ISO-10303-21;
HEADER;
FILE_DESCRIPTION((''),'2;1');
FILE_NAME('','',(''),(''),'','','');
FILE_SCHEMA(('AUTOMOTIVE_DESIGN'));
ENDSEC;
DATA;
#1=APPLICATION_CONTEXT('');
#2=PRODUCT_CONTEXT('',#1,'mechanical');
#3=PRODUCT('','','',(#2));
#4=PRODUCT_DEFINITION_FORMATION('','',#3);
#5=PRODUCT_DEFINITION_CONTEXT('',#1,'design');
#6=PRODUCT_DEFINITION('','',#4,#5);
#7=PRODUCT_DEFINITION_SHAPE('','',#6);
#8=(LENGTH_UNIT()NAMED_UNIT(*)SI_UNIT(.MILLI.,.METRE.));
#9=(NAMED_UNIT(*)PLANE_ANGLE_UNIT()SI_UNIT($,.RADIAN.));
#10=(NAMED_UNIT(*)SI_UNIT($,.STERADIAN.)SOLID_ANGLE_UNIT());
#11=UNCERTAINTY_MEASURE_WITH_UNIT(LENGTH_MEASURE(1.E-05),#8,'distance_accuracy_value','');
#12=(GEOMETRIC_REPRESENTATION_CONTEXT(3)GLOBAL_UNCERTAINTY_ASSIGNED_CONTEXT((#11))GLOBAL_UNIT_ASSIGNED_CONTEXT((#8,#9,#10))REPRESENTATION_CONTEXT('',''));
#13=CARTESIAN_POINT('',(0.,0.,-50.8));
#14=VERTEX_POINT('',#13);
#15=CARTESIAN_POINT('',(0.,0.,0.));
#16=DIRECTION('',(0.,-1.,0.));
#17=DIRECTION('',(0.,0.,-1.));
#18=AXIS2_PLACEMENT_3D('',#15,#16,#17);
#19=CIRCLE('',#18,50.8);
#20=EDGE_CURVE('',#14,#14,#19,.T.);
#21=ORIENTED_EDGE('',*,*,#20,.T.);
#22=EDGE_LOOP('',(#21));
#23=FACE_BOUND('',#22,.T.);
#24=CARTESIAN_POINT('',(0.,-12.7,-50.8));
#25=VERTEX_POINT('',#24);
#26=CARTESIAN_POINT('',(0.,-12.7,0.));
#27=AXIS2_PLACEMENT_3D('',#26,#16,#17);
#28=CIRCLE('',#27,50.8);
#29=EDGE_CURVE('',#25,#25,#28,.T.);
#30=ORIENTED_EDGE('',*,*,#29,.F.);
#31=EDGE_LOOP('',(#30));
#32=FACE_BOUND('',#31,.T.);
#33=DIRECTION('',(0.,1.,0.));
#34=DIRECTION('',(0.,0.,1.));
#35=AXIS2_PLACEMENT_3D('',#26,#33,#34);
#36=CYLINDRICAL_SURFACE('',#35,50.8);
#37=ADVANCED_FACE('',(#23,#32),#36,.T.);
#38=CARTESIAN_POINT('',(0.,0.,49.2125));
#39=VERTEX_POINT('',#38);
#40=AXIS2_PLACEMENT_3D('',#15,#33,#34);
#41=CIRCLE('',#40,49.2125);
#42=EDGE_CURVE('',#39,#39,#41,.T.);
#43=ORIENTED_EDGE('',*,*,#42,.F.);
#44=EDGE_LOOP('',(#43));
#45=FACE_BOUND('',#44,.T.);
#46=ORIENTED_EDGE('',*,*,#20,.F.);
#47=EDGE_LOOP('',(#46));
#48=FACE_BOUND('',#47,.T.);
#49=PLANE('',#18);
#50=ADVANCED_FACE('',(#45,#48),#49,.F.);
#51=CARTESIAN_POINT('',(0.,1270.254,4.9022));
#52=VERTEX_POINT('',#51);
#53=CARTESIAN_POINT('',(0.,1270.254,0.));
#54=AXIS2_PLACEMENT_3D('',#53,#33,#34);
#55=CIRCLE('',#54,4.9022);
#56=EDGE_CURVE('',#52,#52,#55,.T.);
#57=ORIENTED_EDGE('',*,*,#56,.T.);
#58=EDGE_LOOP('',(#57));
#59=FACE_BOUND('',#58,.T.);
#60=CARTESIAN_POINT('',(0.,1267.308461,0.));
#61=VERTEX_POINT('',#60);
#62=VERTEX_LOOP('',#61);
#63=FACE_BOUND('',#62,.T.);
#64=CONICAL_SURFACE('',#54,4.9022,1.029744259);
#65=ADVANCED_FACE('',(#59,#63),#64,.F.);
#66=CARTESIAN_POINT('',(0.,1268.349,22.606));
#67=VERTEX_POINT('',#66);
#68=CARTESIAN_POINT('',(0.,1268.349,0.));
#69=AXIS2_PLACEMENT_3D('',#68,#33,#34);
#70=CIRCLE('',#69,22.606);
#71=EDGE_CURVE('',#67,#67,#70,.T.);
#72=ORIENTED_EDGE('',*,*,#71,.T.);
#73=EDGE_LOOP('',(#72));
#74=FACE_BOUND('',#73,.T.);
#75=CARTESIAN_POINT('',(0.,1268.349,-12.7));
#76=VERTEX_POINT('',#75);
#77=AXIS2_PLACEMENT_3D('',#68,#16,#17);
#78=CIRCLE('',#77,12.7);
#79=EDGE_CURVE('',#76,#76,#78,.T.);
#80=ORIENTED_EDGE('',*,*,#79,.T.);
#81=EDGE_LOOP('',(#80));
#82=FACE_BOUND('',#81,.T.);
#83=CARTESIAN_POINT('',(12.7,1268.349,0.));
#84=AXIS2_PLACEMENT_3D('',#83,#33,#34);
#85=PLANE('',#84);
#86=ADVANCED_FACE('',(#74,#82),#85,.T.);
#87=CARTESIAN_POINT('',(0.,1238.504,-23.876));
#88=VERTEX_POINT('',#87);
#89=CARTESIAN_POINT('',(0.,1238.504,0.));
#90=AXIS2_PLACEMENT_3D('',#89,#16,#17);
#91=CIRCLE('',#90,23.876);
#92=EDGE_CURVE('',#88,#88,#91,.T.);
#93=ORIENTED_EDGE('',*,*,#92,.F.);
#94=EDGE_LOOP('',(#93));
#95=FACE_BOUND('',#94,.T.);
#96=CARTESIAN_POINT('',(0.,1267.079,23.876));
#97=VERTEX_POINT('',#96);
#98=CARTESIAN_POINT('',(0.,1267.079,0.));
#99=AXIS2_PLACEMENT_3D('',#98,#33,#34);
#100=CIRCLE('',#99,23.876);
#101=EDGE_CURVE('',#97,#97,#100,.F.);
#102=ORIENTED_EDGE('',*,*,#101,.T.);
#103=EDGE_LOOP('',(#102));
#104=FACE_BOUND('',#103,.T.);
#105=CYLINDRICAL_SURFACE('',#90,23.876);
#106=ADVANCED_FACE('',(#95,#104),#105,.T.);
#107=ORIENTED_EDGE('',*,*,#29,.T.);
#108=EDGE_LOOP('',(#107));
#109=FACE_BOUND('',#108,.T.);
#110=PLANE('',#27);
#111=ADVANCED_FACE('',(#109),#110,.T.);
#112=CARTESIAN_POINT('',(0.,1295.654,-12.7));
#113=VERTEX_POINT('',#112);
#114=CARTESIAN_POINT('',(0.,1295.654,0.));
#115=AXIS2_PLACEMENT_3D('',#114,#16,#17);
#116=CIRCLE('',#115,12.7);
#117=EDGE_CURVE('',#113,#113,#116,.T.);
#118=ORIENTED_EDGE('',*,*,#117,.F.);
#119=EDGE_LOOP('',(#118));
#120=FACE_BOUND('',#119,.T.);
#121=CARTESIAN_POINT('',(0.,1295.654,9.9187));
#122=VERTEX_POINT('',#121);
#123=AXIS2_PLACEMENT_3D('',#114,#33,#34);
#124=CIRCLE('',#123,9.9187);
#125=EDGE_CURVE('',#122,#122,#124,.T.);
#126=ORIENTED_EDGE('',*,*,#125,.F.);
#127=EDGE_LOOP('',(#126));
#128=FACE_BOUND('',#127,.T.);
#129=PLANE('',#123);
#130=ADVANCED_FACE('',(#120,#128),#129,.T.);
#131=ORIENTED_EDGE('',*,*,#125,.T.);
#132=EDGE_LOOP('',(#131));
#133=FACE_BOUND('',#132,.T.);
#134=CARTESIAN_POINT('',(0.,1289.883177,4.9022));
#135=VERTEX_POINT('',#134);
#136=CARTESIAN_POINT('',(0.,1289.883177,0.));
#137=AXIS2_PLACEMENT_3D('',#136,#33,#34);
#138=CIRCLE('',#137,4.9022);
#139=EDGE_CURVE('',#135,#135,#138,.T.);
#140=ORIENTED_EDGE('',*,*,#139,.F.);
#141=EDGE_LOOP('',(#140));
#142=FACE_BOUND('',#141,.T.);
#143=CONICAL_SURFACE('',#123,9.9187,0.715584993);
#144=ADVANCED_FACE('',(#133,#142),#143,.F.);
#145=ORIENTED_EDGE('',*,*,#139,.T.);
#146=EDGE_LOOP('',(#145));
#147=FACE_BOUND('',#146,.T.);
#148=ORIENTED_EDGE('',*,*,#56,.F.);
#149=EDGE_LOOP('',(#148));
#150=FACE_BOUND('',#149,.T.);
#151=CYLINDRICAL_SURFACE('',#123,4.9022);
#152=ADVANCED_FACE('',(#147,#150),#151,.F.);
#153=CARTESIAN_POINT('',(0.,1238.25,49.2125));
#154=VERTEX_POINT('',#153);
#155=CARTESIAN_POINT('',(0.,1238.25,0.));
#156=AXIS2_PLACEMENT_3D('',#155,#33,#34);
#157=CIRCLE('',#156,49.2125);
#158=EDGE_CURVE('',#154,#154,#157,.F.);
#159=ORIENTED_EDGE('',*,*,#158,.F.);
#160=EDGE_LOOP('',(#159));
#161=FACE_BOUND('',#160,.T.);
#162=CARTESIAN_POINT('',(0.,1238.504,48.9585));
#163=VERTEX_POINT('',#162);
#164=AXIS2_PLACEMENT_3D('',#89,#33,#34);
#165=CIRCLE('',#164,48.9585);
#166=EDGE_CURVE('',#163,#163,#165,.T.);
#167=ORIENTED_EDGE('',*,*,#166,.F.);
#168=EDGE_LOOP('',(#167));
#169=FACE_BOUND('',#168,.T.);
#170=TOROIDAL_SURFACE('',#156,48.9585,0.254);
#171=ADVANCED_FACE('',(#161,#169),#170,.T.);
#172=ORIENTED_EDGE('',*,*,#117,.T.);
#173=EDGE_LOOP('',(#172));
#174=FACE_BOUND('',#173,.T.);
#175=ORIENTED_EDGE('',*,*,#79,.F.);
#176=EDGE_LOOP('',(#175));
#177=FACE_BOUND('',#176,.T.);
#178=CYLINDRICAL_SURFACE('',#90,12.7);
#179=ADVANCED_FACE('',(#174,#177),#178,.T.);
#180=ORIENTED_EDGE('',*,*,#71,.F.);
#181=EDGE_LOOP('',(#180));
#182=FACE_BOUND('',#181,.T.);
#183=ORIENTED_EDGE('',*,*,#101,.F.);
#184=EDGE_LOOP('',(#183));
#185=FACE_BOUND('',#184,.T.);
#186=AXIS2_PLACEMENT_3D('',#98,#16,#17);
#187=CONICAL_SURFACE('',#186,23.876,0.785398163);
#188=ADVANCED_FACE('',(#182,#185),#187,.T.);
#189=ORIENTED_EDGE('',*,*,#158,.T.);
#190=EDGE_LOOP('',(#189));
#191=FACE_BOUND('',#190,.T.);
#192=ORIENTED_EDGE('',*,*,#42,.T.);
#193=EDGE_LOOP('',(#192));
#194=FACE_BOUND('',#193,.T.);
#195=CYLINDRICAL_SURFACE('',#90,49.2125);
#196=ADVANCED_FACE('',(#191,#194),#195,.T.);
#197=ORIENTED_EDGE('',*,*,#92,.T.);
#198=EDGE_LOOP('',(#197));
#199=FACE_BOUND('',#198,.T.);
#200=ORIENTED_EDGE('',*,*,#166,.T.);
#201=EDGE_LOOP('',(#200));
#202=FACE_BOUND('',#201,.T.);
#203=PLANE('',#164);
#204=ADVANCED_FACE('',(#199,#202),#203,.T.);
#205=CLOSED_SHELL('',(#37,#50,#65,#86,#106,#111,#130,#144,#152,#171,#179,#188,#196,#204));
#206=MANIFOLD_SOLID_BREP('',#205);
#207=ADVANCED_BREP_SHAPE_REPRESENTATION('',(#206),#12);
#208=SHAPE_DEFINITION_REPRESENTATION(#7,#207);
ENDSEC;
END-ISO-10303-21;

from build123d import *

# Parameters (mm, degrees)
SKETCH1_R                                           = 49.2125
BOSS_EXTRUDE1_DEPTH                                 = 1238.504
SKETCH3_R                                           = 50.8
BOSS_EXTRUDE2_DEPTH                                 = 12.7
CHAMFER1_SIZE                                       = 1.27
FILLET1_R                                           = 0.254
CSK_FOR_3_8_FLAT_HEAD_SOCKET_CAP_SCREW1_D           = 9.8044
CSK_FOR_3_8_FLAT_HEAD_SOCKET_CAP_SCREW1_DEPTH       = 25.4
CSK_FOR_3_8_FLAT_HEAD_SOCKET_CAP_SCREW1_CSINK_D     = 19.8374
CSK_FOR_3_8_FLAT_HEAD_SOCKET_CAP_SCREW1_CSINK_ANGLE = 82
CSK_FOR_3_8_FLAT_HEAD_SOCKET_CAP_SCREW1_TIP         = 2.945538927


with BuildPart() as part:
    # Sketch1 → Boss-Extrude1 (new body)
    with BuildSketch(Plane(origin=(0, 0, 0), x_dir=(1, 0, 0), z_dir=(0, 1, 0))):
        Circle(SKETCH1_R)
    extrude(amount=BOSS_EXTRUDE1_DEPTH)

    # Sketch2 → Revolve1 (revolve)
    with BuildSketch(Plane.XY):
        Polygon((0, 1238.504), (0, 1295.654), (12.7, 1295.654), (12.7, 1268.349), (23.876, 1268.349), (23.876, 1238.504), align=None)
    revolve(axis=Axis((0, 1238.504, 0), (0, 1, 0)))

    # Sketch3 → Boss-Extrude2 (add)
    with BuildSketch(Plane.XZ):
        Circle(SKETCH3_R)
    extrude(amount=BOSS_EXTRUDE2_DEPTH)

    # Chamfer1
    chamfer1_edges = [part.edges().sort_by_distance(p)[0] for p in [
        (-23.876, 1268.349, 0),
    ]]
    chamfer(chamfer1_edges, length=CHAMFER1_SIZE)

    # Fillet1
    fillet1_edges = [part.edges().sort_by_distance(p)[0] for p in [
        (-49.2125, 1238.504, 0),
    ]]
    fillet(fillet1_edges, radius=FILLET1_R)

    # CSK for 3/8 Flat Head Socket Cap Screw1
    with Locations(Plane(origin=(0, 1295.654, 0), x_dir=(1, 0, 0), z_dir=(0, 1, 0))):
        with Locations((0, 0)):
            CounterSinkHole(CSK_FOR_3_8_FLAT_HEAD_SOCKET_CAP_SCREW1_D / 2, CSK_FOR_3_8_FLAT_HEAD_SOCKET_CAP_SCREW1_CSINK_D / 2, depth=CSK_FOR_3_8_FLAT_HEAD_SOCKET_CAP_SCREW1_DEPTH, counter_sink_angle=CSK_FOR_3_8_FLAT_HEAD_SOCKET_CAP_SCREW1_CSINK_ANGLE)
            with Locations((0, 0, -(CSK_FOR_3_8_FLAT_HEAD_SOCKET_CAP_SCREW1_DEPTH + CSK_FOR_3_8_FLAT_HEAD_SOCKET_CAP_SCREW1_TIP / 2))):  # 118° drill point
                Cone(0, CSK_FOR_3_8_FLAT_HEAD_SOCKET_CAP_SCREW1_D / 2, CSK_FOR_3_8_FLAT_HEAD_SOCKET_CAP_SCREW1_TIP, mode=Mode.SUBTRACT)


solid = part.part
